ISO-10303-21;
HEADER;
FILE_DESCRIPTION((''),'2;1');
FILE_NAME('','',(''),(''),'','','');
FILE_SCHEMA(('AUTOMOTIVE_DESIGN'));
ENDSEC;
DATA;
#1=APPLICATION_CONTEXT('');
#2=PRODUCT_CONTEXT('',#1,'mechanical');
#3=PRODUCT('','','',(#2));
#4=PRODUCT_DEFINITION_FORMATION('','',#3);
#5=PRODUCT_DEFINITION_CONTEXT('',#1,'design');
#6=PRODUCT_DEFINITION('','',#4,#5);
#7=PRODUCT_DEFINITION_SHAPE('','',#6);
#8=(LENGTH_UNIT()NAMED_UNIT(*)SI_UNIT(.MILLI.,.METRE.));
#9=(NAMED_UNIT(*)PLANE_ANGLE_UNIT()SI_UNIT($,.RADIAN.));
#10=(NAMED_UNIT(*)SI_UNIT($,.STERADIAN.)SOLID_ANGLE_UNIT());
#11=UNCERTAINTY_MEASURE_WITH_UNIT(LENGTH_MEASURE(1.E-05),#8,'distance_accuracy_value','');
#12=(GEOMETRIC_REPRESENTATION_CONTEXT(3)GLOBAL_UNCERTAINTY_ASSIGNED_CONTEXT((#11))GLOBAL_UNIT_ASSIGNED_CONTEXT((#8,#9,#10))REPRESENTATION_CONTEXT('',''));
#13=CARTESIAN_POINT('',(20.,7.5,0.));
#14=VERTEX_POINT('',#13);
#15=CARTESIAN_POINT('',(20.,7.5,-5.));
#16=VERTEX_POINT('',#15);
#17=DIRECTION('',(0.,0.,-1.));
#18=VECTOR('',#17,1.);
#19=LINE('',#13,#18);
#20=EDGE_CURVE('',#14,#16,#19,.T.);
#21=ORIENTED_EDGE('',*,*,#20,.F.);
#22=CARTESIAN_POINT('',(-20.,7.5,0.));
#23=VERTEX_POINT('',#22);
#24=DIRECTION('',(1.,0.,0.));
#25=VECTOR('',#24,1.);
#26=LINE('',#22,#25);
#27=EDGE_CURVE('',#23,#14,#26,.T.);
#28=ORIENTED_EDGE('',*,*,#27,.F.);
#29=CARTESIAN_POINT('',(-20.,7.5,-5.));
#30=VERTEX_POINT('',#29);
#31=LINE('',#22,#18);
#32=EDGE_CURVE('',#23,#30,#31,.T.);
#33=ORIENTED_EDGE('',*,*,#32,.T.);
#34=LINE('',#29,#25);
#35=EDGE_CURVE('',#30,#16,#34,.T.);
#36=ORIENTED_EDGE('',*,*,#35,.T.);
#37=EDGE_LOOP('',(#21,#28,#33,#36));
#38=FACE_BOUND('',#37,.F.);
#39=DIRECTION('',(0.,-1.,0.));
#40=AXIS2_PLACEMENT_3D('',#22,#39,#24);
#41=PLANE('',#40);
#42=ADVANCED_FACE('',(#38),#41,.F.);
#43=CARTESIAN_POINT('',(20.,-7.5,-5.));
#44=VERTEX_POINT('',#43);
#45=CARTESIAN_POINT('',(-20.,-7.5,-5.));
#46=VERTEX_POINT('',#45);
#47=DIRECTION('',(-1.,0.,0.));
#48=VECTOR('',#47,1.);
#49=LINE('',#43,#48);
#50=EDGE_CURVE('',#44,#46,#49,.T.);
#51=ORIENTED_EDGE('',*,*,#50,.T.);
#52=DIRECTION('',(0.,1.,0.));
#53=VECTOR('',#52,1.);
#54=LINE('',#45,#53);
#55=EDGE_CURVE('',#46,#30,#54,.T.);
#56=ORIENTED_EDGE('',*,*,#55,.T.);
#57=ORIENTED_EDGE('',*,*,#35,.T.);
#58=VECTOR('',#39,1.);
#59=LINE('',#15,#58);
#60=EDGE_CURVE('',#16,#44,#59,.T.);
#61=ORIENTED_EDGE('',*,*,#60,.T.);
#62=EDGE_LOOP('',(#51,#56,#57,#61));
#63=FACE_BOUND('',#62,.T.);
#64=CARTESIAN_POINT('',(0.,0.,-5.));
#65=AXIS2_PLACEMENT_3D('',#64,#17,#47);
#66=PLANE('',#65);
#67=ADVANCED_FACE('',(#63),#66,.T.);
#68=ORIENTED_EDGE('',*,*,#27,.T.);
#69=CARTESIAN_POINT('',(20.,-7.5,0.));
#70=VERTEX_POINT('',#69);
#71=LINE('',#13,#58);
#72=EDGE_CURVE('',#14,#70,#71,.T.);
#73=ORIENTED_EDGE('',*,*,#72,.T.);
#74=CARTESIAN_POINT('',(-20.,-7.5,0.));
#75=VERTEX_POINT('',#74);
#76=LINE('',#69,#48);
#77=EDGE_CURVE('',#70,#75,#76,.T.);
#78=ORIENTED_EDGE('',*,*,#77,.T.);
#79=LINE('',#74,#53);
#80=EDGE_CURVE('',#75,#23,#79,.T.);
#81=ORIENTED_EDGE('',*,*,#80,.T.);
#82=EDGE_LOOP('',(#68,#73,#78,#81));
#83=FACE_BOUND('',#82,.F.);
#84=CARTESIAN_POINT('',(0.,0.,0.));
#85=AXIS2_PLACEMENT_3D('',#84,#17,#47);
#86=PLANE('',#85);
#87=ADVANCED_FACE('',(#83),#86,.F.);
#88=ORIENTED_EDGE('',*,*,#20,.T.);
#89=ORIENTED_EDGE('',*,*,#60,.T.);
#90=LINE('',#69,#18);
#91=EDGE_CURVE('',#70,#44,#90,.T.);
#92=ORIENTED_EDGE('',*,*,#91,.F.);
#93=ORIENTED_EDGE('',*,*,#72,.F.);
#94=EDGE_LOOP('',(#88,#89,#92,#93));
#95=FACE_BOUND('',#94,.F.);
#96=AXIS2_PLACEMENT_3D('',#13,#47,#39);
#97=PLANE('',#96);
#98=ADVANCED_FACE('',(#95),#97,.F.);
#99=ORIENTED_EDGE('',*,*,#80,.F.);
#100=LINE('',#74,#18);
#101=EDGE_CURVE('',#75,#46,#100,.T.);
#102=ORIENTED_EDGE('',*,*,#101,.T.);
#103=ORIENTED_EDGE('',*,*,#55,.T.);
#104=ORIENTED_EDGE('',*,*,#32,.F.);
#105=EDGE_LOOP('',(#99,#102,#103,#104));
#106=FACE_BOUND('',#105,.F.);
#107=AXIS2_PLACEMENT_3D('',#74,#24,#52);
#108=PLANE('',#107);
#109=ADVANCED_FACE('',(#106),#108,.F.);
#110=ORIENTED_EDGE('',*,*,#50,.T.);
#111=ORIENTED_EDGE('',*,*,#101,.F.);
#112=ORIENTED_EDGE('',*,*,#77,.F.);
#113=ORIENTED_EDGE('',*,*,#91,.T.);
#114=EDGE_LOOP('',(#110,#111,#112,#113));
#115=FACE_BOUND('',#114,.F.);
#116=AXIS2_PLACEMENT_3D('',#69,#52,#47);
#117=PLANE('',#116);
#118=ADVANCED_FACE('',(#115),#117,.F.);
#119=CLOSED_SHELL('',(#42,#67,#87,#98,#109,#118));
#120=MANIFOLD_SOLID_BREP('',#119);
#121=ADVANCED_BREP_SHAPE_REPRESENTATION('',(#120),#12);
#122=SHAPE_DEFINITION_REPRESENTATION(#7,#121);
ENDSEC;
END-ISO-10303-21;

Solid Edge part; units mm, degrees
sketch "Sketch1" plane through (0, 0, 0) normal (0, 0, 1) x (1, 0, 0)
  line L0 (-20, 7.5) -> (20, 7.5)
  line L1 (20, 7.5) -> (20, -7.5)
  line L2 (20, -7.5) -> (-20, -7.5)
  line L3 (-20, -7.5) -> (-20, 7.5)
  dimension "D1" = 40
  dimension "D2" = 15
extrude "Protrusion1" add sketch "Sketch1" against normal blind 5
